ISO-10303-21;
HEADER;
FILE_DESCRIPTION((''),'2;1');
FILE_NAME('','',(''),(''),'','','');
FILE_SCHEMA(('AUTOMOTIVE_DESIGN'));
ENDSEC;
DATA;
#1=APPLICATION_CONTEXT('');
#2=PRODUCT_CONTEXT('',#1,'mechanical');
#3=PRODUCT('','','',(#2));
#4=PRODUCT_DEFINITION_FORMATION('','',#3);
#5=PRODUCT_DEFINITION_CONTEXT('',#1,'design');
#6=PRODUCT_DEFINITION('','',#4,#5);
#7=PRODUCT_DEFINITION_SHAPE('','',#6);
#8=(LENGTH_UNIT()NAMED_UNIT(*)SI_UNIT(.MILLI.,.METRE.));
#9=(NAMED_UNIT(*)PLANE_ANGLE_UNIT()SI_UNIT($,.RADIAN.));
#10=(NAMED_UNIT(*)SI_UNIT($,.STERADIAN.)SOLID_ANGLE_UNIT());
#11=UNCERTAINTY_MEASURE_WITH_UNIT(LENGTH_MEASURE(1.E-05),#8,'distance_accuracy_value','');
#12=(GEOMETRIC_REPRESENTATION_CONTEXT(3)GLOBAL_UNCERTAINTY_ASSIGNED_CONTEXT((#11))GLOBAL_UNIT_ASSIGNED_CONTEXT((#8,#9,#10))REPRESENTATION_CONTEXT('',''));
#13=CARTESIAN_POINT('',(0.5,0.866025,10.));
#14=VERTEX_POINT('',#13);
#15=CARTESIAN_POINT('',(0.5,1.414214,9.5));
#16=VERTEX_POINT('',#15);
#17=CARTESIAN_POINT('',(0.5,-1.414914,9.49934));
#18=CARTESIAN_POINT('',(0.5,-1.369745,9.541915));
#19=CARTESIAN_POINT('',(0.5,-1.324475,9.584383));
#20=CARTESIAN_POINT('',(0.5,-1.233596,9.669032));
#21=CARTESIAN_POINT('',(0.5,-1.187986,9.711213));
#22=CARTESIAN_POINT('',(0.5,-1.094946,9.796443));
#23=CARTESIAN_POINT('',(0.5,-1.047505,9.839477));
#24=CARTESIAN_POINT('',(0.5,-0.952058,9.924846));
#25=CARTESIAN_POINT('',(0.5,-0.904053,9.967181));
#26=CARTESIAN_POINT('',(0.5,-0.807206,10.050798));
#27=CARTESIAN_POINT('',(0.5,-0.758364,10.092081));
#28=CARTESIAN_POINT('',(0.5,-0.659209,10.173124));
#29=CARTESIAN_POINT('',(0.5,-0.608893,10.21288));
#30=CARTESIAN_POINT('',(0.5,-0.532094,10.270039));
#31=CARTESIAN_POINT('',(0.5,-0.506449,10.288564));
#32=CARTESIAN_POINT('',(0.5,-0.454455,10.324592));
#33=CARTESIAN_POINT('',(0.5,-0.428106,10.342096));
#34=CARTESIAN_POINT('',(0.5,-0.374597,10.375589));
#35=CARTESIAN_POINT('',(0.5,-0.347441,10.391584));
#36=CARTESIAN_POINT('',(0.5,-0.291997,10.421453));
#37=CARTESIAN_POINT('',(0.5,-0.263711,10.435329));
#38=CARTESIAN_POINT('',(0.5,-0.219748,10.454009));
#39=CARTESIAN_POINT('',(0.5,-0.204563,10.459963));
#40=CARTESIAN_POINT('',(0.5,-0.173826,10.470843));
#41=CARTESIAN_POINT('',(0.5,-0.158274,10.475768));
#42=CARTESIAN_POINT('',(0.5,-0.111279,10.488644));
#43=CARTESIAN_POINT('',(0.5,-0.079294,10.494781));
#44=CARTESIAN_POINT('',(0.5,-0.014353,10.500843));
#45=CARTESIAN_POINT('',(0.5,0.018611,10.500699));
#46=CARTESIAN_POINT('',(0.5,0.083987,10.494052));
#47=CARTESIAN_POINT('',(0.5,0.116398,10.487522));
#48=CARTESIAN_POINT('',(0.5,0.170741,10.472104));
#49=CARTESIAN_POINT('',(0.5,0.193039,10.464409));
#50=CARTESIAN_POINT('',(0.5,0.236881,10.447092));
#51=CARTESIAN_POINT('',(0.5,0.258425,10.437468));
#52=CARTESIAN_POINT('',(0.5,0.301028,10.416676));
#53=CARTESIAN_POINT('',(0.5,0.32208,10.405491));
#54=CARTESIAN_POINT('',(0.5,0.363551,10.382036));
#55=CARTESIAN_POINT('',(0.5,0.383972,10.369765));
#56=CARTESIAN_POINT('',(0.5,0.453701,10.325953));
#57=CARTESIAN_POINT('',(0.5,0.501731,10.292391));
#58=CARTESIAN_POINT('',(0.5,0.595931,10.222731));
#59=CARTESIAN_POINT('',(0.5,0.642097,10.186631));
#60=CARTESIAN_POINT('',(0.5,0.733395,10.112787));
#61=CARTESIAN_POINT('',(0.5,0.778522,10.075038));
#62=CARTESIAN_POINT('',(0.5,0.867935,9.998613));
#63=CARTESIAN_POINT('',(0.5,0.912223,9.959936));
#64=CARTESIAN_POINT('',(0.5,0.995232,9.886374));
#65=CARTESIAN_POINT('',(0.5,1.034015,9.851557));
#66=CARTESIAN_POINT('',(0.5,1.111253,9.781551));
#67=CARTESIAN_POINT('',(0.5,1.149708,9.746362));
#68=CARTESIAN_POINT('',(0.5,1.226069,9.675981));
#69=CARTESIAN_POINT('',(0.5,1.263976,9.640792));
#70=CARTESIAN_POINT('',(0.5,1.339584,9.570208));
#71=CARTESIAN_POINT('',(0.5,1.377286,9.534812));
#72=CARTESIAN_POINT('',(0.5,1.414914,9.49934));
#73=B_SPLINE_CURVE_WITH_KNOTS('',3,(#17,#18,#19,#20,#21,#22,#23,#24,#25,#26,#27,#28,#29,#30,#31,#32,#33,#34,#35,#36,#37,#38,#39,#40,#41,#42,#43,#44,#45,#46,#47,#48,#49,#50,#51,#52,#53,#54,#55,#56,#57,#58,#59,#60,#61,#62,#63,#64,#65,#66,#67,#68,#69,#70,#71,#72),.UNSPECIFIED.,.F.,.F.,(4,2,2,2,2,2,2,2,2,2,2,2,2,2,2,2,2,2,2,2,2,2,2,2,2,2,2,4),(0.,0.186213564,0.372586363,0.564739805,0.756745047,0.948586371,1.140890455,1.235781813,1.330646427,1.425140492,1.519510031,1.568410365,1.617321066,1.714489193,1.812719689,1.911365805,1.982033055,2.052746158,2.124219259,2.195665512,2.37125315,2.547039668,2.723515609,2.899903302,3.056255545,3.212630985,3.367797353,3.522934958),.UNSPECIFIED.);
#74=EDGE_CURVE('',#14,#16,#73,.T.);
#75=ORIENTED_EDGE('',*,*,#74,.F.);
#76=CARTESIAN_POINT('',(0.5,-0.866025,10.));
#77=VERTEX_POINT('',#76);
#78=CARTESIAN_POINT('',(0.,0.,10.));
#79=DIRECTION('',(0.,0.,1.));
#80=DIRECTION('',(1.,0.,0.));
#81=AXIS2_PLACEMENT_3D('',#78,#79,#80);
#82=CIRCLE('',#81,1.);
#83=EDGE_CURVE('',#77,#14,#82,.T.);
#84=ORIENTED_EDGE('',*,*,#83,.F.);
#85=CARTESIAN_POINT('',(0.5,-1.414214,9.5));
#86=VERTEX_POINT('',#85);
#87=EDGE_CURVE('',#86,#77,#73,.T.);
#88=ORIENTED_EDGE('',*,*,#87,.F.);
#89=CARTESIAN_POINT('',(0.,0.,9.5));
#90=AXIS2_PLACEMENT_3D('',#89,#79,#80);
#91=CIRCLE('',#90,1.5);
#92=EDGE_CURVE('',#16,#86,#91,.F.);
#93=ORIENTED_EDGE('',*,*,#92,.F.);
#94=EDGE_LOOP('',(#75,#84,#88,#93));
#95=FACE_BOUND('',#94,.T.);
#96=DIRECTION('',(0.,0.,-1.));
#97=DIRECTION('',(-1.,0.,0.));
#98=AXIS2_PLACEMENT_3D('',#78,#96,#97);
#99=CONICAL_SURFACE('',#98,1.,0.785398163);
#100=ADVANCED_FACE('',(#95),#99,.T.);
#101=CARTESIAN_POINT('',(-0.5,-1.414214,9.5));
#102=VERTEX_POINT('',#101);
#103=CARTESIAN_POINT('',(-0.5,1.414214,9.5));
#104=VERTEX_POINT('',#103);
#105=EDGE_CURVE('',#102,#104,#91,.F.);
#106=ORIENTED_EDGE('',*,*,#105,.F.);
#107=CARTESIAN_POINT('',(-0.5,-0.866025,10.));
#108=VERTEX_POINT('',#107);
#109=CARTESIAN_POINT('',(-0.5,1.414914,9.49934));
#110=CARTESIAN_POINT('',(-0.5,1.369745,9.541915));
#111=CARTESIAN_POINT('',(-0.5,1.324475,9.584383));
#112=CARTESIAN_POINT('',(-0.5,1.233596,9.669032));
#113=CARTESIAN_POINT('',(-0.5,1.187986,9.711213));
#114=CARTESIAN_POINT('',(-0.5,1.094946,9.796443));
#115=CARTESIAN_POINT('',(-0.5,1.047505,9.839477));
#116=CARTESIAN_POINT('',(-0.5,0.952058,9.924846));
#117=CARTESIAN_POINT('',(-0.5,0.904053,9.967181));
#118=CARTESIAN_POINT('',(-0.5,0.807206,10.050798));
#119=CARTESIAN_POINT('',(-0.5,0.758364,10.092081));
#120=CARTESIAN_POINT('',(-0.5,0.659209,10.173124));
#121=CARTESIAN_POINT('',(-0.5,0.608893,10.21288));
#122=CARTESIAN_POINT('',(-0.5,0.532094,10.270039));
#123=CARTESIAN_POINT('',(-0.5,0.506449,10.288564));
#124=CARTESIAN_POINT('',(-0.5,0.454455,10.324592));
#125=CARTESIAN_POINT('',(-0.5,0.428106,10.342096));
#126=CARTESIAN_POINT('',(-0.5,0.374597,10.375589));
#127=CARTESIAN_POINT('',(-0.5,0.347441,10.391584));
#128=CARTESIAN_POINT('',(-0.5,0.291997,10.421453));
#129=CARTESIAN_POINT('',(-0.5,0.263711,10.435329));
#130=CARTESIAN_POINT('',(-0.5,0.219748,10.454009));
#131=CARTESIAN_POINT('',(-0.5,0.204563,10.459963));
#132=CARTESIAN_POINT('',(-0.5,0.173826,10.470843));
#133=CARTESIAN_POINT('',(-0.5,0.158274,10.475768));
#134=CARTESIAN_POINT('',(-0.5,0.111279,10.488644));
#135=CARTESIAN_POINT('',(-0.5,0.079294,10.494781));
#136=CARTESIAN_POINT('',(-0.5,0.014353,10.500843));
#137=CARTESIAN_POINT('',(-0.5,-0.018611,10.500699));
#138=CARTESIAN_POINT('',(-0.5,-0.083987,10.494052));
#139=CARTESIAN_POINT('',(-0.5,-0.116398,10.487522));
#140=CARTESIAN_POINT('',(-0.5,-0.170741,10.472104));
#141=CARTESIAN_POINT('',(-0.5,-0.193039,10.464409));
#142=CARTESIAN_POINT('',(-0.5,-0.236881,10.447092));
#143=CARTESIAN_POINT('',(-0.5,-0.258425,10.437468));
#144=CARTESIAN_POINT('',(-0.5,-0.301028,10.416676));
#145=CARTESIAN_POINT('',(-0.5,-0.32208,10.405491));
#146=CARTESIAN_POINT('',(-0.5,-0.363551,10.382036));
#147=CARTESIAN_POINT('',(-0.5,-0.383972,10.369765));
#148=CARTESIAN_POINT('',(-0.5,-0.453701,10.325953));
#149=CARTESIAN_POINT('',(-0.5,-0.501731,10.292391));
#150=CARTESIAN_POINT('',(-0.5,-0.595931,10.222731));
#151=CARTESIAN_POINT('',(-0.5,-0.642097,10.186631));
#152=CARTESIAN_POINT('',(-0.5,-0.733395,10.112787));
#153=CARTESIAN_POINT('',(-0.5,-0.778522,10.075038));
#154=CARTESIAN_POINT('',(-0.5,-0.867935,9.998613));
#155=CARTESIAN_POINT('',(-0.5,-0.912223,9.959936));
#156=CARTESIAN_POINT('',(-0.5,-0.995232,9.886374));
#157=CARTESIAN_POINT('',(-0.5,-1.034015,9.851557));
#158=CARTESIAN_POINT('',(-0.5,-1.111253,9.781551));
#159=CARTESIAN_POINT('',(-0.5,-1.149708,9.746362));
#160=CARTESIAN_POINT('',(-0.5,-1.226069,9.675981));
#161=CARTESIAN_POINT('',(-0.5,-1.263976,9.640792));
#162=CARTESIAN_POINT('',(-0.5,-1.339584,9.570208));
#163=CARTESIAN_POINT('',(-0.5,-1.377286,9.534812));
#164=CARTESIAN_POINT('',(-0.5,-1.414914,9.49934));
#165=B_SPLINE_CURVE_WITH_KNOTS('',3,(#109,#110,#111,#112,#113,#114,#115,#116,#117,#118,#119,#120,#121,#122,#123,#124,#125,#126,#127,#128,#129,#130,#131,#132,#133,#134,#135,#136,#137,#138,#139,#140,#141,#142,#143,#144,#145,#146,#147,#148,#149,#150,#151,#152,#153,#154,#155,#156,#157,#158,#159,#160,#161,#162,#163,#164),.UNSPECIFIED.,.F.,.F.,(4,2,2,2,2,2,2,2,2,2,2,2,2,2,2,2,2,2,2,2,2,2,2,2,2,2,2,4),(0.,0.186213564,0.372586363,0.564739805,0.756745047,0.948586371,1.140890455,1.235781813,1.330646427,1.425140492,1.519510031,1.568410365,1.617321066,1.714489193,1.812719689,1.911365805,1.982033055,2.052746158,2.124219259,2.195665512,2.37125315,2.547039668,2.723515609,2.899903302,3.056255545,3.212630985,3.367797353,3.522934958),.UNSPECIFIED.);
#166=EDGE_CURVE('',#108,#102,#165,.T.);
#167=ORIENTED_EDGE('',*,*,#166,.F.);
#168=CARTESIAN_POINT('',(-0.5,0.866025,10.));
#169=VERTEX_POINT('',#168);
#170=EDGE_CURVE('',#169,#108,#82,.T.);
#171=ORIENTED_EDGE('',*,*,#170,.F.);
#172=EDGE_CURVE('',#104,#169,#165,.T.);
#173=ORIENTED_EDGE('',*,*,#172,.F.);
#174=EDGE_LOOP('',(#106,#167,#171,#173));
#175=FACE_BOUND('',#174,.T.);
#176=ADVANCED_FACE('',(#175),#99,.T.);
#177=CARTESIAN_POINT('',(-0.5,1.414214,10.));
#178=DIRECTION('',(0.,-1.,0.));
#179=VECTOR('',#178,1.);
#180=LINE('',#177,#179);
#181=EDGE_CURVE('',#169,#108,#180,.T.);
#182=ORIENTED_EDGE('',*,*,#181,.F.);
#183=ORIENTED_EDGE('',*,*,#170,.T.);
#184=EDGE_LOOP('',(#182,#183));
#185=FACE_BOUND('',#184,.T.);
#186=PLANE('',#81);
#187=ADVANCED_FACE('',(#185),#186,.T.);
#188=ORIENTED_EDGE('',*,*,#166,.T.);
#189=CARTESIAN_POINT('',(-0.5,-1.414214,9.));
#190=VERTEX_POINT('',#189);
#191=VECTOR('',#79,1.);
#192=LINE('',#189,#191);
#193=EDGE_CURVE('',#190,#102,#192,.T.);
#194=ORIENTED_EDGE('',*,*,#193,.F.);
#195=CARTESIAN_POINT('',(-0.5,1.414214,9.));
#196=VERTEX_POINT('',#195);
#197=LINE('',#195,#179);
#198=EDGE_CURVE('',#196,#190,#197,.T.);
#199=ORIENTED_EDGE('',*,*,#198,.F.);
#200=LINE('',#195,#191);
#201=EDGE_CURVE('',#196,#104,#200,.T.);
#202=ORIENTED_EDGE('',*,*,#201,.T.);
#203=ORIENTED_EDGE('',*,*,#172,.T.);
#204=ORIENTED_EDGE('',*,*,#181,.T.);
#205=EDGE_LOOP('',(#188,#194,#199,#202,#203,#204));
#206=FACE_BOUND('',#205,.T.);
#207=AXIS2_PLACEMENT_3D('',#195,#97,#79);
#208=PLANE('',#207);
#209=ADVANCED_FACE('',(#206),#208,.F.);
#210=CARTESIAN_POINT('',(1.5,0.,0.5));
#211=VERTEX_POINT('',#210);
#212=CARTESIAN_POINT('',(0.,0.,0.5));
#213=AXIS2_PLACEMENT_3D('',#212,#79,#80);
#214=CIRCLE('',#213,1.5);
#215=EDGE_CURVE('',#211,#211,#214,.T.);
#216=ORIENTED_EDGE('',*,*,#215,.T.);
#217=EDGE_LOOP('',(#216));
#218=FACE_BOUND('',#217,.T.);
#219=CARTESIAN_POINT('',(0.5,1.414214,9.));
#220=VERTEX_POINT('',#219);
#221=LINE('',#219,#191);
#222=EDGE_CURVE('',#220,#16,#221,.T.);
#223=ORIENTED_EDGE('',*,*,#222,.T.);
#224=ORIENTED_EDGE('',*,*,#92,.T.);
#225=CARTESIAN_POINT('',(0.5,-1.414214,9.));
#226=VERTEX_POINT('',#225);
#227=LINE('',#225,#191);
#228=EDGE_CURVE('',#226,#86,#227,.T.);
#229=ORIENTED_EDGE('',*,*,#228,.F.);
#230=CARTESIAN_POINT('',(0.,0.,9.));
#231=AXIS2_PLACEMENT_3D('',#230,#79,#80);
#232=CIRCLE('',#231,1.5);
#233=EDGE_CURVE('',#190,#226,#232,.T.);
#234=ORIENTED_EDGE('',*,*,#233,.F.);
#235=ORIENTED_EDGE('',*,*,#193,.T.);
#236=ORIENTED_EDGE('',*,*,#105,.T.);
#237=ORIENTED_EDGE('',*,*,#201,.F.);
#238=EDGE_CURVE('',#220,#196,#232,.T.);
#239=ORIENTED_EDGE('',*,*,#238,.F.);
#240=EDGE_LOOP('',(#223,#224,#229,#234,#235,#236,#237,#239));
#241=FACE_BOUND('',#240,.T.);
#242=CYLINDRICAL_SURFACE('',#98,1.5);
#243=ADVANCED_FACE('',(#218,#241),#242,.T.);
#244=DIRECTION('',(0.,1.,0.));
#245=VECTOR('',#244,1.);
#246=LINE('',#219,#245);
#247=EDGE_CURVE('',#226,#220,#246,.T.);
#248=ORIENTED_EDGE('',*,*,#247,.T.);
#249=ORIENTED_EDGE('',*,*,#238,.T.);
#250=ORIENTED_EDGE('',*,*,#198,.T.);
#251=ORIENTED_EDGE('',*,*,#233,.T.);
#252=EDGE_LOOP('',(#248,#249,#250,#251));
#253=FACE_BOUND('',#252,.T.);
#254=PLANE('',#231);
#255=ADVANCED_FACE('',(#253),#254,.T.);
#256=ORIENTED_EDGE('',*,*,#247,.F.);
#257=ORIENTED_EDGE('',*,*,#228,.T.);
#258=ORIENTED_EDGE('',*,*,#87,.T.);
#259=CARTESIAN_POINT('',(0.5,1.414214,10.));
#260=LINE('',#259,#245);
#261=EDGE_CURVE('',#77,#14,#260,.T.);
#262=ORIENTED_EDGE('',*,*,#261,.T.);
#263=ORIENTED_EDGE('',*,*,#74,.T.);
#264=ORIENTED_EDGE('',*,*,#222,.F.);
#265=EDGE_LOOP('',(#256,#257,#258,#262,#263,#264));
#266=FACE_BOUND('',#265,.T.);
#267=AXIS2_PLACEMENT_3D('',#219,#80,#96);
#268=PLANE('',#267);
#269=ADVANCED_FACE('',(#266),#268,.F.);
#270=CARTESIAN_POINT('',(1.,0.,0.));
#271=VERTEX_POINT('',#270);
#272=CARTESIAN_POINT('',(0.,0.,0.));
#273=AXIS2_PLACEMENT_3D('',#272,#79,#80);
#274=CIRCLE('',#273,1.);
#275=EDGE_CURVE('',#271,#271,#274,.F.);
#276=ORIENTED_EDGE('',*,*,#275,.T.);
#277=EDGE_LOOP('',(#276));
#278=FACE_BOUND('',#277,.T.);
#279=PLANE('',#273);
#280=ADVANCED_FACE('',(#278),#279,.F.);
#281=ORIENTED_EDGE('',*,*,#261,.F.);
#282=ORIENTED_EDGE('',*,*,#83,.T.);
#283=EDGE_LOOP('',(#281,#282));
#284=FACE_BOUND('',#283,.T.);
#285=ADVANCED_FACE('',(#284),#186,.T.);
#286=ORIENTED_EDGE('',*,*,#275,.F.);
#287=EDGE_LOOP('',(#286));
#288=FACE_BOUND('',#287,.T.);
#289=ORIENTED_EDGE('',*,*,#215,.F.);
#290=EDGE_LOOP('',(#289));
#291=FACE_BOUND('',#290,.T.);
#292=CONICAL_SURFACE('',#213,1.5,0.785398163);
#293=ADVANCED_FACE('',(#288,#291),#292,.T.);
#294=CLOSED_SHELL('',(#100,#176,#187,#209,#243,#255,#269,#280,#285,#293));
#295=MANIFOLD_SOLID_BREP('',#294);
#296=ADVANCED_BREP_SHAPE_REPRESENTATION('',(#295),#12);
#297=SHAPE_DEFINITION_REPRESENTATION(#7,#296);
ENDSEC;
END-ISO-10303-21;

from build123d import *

# Parameters (mm, degrees)
SKETCH1_R           = 1.5
BOSS_EXTRUDE1_DEPTH = 10
CHAMFER1_SIZE       = 0.5
CUT_EXTRUDE1_START  = -1
CUT_EXTRUDE1_DEPTH  = 1


with BuildPart() as part:
    # Sketch1 → Boss-Extrude1 (new body)
    with BuildSketch(Plane.XY):
        Circle(SKETCH1_R)
    extrude(amount=BOSS_EXTRUDE1_DEPTH)

    # Chamfer1
    chamfer1_edges = [part.edges().sort_by_distance(p)[0] for p in [
        (-1.5, 0, 0),
        (-1.5, 0, 10),
    ]]
    chamfer(chamfer1_edges, length=CHAMFER1_SIZE)

    # Sketch2 → Cut-Extrude1 (cut)
    with BuildSketch(Plane.XY.offset(10).offset(CUT_EXTRUDE1_START)):
        with BuildLine():
            Line((-0.5, 1.414213562), (-0.5, -1.414213562))
            ThreePointArc((-0.5, -1.414213562), (0, -1.5), (0.5, -1.414213562))
            Line((0.5, -1.414213562), (0.5, 1.414213562))
            ThreePointArc((0.5, 1.414213562), (0, 1.5), (-0.5, 1.414213562))
        make_face()
    extrude(amount=CUT_EXTRUDE1_DEPTH, mode=Mode.SUBTRACT)


solid = part.part
